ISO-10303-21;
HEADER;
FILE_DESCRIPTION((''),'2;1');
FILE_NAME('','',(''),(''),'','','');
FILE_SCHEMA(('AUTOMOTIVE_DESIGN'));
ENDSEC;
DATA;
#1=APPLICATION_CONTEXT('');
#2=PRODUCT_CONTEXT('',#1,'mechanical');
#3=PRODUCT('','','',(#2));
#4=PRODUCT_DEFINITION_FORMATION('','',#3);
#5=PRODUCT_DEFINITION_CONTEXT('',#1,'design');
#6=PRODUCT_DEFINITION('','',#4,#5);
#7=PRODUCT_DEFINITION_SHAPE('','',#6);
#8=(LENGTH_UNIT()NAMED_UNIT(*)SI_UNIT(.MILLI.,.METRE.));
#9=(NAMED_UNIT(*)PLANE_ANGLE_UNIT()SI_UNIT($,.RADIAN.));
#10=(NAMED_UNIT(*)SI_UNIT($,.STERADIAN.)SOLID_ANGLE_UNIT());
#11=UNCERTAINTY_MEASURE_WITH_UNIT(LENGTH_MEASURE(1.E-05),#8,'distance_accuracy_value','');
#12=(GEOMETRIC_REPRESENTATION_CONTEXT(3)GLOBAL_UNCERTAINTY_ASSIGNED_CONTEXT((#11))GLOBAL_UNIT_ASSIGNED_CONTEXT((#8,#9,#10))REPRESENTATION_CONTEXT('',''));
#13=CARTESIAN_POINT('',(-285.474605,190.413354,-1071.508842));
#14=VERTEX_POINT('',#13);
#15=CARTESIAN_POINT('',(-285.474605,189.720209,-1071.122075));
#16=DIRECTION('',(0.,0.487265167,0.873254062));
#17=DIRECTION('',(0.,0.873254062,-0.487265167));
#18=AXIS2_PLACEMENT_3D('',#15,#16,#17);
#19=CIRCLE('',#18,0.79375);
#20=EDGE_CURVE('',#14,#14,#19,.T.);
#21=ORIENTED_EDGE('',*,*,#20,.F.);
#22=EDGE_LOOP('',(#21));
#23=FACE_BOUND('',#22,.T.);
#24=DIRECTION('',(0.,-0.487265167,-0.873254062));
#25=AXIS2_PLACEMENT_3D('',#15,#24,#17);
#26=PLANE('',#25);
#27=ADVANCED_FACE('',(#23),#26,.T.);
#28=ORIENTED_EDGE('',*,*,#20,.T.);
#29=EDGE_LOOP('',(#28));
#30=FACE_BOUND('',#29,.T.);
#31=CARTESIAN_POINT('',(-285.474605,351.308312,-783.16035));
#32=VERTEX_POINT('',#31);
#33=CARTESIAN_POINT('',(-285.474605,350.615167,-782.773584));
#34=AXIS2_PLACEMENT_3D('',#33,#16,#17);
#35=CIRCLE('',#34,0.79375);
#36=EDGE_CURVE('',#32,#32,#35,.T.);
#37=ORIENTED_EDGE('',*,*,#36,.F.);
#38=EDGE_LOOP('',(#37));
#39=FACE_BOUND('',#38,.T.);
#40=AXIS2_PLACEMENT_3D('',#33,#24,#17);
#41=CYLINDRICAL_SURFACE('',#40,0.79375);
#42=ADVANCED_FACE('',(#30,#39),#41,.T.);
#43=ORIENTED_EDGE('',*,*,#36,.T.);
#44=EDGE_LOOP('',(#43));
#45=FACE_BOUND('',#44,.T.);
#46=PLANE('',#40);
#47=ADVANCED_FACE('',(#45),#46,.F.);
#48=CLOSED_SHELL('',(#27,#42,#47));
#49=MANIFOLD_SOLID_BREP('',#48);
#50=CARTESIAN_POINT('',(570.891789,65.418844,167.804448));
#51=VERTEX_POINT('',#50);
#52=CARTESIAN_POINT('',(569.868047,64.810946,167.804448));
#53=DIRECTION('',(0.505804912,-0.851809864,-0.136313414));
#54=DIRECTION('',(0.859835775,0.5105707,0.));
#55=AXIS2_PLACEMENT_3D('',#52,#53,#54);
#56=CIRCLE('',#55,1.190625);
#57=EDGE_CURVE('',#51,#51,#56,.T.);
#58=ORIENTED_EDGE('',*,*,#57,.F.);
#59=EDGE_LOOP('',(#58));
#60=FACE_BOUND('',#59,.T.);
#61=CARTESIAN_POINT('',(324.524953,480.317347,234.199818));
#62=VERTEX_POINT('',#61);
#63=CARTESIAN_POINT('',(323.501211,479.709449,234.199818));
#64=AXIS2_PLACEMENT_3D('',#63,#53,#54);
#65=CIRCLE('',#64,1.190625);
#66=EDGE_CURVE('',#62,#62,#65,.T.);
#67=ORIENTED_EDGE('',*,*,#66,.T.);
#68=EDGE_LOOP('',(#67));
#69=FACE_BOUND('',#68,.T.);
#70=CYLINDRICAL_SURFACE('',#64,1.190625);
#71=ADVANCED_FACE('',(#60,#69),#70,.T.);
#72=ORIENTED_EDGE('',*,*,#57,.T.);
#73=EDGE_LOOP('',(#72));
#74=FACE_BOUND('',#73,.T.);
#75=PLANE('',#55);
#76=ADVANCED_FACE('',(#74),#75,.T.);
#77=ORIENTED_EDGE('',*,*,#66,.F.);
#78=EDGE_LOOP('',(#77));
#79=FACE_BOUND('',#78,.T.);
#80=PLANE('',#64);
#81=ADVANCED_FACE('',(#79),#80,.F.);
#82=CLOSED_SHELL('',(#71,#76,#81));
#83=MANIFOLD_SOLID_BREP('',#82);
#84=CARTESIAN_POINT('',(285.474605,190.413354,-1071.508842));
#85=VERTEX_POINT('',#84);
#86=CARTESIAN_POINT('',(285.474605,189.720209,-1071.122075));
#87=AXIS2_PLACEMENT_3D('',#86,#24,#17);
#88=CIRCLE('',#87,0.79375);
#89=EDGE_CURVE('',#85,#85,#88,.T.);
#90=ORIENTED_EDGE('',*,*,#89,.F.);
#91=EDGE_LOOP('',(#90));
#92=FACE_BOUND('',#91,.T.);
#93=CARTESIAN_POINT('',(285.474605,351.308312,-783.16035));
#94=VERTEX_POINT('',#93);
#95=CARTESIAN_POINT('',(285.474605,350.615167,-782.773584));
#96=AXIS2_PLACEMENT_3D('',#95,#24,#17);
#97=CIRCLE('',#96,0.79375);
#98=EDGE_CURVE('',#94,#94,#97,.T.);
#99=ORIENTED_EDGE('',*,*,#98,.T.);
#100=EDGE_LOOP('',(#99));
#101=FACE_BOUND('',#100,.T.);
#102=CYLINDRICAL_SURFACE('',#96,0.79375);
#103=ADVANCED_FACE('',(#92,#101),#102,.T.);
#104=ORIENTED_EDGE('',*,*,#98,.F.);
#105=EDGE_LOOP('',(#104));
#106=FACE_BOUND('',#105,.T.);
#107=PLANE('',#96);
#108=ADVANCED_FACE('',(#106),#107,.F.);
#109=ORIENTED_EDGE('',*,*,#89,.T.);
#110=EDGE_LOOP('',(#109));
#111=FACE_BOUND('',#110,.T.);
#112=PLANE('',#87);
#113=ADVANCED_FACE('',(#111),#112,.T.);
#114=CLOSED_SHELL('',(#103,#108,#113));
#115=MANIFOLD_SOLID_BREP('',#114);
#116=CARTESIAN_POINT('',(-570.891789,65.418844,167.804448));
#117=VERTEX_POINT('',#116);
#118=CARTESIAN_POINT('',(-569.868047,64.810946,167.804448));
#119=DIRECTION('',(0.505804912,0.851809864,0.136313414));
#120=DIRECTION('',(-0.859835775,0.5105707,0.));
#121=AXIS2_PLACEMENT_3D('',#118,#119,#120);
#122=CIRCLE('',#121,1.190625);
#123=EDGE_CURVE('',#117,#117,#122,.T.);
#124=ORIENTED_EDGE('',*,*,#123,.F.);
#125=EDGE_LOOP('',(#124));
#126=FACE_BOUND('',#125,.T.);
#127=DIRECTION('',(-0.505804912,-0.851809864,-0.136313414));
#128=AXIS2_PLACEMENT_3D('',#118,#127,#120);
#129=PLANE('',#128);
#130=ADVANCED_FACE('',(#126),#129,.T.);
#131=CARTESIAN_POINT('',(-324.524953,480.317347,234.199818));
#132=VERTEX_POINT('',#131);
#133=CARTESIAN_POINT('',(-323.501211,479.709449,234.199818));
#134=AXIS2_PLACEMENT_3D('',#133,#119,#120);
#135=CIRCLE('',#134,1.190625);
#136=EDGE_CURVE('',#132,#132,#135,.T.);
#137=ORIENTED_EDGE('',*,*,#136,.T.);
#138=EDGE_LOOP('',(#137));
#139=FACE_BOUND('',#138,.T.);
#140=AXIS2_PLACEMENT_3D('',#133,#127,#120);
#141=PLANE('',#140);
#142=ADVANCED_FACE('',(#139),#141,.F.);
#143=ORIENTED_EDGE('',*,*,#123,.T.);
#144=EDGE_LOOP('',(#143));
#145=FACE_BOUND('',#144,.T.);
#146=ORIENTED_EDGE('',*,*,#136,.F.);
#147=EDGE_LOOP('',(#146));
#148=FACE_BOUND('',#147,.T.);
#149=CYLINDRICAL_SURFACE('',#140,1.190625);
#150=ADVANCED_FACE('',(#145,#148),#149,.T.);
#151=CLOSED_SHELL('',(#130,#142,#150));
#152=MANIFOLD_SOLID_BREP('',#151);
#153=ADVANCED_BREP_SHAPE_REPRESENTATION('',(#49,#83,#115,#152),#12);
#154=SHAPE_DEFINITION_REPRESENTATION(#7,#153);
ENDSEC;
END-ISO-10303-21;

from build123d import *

# Parameters (mm, degrees)
SWEEP1_PROFILE_R = 0.79375
SWEEP2_PROFILE_R = 1.190625


with BuildPart() as part:
    # Sweep1: sweep along a curve in space
    with BuildLine() as sweep1_path:
        Line((285.474604576, 350.615166874, -782.773583612), (285.474604576, 189.720208784, -1071.122074957))
    # Sweep1 profile (on start of the path) → Sweep1 (sweep)
    with BuildSketch(Plane(origin=(285.474604576, 350.615166874, -782.773583612), x_dir=(0, -0.8732540622216938, 0.4872651668376371), z_dir=(0, -0.4872651668376371, -0.8732540622216938))):
        Circle(SWEEP1_PROFILE_R)
    sweep(path=sweep1_path.line)


with BuildPart() as body_2:
    # Sweep2: sweep along a curve in space
    with BuildLine() as sweep2_path:
        Line((323.50121122, 479.709448624, 234.199818078), (569.868046842, 64.810945847, 167.804447708))
    # Sweep2 profile (on start of the path) → Sweep2 (sweep)
    with BuildSketch(Plane(origin=(323.50121122, 479.709448624, 234.199818078), x_dir=(-0.8598357750897424, -0.5105707001736606, 0), z_dir=(0.5058049120396901, -0.8518098638247751, -0.13631341404036296))):
        Circle(SWEEP2_PROFILE_R)
    sweep(path=sweep2_path.line)


with BuildPart() as body_3:
    # Mirror1: mirrored copy
    add(part.part.mirror(Plane(origin=(0, 0, 0), x_dir=(0, 0, 1), z_dir=(1, 0, 0))))


with BuildPart() as body_4:
    # Mirror1 2: mirrored copy
    add(body_2.part.mirror(Plane(origin=(0, 0, 0), x_dir=(0, 0, 1), z_dir=(1, 0, 0))))


solid = Compound([part.part, body_2.part, body_3.part, body_4.part])
